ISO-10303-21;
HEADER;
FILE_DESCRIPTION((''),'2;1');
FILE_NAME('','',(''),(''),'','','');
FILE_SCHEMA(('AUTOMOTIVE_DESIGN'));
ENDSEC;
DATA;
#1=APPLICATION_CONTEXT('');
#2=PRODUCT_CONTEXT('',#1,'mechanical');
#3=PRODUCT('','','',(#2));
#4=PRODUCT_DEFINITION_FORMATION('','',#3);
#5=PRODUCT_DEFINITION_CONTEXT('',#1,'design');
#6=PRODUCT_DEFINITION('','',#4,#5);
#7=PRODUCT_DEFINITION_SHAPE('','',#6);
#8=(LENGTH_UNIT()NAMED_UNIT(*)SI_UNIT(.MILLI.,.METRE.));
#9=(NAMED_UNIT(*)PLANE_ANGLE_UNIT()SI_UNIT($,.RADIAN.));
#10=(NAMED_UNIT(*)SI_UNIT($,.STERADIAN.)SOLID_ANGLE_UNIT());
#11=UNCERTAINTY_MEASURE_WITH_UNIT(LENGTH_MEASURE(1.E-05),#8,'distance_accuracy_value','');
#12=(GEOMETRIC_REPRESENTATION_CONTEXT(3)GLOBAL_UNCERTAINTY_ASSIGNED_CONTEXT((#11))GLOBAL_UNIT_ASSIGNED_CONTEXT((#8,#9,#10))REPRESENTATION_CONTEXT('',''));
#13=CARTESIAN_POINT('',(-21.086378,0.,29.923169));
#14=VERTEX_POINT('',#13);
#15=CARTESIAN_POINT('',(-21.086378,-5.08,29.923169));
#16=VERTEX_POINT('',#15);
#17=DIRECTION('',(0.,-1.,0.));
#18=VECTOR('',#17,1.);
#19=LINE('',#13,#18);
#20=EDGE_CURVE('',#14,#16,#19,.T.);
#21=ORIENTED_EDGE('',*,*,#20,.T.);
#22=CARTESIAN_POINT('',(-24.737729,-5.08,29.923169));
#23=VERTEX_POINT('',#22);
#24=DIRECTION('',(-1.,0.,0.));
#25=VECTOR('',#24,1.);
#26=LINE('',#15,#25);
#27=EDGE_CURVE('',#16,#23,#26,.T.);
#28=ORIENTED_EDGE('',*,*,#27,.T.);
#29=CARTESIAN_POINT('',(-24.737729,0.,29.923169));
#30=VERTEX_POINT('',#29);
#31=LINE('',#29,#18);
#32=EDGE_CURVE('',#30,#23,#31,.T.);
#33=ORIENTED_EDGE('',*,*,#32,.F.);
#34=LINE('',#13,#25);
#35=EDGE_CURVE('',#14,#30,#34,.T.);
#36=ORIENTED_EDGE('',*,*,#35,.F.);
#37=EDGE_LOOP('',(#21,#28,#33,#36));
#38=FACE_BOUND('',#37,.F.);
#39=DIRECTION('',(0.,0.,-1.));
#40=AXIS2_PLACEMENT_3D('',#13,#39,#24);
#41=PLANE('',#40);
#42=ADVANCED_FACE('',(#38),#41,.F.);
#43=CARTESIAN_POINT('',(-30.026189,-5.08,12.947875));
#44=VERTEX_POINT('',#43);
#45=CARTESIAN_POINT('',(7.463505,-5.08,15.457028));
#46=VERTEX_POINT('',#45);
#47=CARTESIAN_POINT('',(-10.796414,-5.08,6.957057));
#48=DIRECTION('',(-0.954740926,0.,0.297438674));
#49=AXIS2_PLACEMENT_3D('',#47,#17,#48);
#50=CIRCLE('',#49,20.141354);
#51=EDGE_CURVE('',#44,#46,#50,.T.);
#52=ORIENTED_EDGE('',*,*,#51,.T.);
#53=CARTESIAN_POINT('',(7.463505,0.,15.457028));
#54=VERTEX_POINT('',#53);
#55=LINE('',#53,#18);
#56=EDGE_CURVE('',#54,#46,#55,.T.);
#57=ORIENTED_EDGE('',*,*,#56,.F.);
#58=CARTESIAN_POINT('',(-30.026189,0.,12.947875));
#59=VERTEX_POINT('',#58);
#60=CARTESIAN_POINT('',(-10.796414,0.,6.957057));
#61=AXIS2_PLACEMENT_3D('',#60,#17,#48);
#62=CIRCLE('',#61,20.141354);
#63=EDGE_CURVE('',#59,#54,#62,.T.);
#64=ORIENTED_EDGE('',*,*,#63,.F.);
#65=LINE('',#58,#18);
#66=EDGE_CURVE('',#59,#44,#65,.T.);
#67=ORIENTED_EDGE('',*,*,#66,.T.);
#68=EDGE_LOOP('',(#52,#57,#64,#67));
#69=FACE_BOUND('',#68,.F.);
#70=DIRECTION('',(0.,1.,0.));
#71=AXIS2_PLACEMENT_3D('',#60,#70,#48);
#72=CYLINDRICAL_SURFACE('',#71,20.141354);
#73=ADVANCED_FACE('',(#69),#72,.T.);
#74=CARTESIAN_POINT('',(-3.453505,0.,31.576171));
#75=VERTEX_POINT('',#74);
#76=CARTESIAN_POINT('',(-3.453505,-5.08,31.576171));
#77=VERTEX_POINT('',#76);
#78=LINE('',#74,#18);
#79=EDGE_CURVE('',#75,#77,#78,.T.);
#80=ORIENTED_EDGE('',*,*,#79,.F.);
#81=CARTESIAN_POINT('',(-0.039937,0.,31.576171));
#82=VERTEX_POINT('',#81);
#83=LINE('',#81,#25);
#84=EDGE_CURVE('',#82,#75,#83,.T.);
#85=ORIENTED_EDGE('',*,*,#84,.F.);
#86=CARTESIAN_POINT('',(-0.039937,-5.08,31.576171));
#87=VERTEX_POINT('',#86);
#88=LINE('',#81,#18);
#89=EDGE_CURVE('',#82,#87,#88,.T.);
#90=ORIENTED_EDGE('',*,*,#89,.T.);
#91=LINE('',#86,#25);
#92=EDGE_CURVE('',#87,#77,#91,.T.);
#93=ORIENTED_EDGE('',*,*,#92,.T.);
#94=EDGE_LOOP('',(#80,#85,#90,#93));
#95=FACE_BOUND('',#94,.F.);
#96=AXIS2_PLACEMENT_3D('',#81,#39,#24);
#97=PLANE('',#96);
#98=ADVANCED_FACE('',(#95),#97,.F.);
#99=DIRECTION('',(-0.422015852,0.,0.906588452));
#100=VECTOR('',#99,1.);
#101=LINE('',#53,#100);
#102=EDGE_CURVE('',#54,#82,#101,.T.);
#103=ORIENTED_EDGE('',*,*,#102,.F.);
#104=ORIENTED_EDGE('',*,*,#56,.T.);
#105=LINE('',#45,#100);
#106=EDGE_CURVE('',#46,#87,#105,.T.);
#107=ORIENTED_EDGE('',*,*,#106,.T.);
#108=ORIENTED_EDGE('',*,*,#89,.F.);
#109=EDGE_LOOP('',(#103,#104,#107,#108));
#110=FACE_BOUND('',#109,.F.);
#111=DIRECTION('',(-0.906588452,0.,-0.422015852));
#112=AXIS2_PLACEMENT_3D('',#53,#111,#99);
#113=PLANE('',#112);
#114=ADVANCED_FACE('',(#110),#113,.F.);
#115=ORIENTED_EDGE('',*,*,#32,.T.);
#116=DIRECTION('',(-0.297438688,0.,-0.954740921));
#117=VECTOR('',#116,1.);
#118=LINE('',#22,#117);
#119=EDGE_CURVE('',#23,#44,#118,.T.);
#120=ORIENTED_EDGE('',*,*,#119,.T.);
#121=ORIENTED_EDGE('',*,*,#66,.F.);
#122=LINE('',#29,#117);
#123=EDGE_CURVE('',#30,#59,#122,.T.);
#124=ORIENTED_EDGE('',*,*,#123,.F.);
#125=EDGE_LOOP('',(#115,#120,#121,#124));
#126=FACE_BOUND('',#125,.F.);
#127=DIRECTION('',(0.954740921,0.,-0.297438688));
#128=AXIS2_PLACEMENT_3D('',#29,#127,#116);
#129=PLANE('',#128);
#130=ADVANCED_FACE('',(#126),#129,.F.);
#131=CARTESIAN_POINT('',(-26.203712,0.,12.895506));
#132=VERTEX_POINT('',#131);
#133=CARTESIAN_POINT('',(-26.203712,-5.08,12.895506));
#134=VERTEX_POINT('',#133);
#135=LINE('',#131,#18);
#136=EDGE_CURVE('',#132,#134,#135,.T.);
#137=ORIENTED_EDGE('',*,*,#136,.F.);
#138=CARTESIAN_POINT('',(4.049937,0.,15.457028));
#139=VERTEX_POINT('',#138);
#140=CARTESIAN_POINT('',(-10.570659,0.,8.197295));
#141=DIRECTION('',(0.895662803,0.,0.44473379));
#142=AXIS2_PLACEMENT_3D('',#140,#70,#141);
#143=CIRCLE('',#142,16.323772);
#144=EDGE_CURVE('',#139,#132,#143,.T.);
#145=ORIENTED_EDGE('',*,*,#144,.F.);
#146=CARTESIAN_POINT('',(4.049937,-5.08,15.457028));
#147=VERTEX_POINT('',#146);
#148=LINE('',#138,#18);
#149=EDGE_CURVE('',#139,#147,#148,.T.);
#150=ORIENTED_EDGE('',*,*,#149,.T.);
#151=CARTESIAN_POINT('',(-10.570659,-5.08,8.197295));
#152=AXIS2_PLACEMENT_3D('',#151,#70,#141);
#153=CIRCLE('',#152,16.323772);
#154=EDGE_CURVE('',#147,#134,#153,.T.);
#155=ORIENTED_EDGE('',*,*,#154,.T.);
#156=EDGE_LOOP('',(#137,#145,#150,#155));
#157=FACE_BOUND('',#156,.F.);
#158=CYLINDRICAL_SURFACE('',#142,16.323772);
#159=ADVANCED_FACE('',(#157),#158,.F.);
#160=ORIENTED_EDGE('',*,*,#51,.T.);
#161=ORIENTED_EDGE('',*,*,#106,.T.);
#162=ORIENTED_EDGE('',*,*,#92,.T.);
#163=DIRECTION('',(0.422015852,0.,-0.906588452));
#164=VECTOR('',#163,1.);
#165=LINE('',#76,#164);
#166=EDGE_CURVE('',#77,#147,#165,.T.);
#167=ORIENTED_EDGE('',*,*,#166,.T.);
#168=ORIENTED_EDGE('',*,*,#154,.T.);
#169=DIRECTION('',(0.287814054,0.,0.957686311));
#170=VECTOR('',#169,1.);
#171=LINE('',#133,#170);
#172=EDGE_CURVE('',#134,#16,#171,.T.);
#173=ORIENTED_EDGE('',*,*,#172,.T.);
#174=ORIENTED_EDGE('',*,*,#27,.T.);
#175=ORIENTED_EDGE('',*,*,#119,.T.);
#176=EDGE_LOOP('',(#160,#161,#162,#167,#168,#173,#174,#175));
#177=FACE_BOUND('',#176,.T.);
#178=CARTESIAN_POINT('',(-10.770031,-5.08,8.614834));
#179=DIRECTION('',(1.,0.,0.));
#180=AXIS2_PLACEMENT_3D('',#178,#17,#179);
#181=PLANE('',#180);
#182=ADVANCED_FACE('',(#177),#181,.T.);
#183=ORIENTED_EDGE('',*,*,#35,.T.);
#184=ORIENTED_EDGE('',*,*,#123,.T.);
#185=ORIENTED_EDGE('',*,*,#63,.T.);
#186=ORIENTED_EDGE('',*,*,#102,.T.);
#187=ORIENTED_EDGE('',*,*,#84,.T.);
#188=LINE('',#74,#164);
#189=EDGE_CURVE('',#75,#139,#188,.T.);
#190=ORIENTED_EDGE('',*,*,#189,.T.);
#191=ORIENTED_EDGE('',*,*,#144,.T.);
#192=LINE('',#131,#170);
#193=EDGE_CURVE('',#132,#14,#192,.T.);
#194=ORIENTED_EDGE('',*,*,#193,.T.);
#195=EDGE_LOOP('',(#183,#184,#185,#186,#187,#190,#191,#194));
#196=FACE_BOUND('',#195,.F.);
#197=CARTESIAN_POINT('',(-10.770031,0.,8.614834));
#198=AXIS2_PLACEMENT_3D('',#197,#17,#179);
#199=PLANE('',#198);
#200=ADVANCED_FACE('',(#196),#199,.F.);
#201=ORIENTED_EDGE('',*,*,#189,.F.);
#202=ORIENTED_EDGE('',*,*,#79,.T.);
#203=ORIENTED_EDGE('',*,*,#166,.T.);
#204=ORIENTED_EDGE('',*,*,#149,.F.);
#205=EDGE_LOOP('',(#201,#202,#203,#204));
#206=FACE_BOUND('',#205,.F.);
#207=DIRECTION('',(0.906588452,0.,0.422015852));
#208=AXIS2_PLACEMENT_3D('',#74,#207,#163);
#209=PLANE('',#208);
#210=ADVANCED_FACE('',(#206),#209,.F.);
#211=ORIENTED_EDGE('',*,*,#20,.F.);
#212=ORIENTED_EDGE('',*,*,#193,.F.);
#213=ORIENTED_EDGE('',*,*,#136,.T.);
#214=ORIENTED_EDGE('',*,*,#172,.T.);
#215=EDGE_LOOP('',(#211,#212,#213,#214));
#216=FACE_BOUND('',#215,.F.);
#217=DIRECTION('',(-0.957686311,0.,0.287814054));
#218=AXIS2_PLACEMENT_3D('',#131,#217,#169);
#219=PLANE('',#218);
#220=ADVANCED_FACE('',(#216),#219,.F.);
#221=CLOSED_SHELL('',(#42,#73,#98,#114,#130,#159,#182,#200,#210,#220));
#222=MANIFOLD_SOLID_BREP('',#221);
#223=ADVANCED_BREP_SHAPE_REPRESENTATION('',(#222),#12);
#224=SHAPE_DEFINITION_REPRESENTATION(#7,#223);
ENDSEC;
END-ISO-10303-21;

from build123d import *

# Parameters (mm, degrees)
F1_DEPTH = 5.08


with BuildPart() as f1:
    # F0 (on Front) → F1 (new body)
    with BuildSketch(Plane.XZ):
        with BuildLine():
            Line((-24.737729, 29.923169), (-30.026189, 12.947875))
            ThreePointArc((-30.026189, 12.947875), (-9.45138, -13.139336), (7.463505, 15.457028))
            Line((7.463505, 15.457028), (-0.039937, 31.576171))
            Line((-0.039937, 31.576171), (-3.453505, 31.576171))
            Line((-3.453505, 31.576171), (4.049937, 15.457028))
            ThreePointArc((4.049937, 15.457028), (-9.193481, -8.06828), (-26.203712, 12.895506))
            Line((-26.203712, 12.895506), (-21.086378, 29.923169))
            Line((-21.086378, 29.923169), (-24.737729, 29.923169))
        make_face()
    extrude(amount=F1_DEPTH)


solid = f1.part
